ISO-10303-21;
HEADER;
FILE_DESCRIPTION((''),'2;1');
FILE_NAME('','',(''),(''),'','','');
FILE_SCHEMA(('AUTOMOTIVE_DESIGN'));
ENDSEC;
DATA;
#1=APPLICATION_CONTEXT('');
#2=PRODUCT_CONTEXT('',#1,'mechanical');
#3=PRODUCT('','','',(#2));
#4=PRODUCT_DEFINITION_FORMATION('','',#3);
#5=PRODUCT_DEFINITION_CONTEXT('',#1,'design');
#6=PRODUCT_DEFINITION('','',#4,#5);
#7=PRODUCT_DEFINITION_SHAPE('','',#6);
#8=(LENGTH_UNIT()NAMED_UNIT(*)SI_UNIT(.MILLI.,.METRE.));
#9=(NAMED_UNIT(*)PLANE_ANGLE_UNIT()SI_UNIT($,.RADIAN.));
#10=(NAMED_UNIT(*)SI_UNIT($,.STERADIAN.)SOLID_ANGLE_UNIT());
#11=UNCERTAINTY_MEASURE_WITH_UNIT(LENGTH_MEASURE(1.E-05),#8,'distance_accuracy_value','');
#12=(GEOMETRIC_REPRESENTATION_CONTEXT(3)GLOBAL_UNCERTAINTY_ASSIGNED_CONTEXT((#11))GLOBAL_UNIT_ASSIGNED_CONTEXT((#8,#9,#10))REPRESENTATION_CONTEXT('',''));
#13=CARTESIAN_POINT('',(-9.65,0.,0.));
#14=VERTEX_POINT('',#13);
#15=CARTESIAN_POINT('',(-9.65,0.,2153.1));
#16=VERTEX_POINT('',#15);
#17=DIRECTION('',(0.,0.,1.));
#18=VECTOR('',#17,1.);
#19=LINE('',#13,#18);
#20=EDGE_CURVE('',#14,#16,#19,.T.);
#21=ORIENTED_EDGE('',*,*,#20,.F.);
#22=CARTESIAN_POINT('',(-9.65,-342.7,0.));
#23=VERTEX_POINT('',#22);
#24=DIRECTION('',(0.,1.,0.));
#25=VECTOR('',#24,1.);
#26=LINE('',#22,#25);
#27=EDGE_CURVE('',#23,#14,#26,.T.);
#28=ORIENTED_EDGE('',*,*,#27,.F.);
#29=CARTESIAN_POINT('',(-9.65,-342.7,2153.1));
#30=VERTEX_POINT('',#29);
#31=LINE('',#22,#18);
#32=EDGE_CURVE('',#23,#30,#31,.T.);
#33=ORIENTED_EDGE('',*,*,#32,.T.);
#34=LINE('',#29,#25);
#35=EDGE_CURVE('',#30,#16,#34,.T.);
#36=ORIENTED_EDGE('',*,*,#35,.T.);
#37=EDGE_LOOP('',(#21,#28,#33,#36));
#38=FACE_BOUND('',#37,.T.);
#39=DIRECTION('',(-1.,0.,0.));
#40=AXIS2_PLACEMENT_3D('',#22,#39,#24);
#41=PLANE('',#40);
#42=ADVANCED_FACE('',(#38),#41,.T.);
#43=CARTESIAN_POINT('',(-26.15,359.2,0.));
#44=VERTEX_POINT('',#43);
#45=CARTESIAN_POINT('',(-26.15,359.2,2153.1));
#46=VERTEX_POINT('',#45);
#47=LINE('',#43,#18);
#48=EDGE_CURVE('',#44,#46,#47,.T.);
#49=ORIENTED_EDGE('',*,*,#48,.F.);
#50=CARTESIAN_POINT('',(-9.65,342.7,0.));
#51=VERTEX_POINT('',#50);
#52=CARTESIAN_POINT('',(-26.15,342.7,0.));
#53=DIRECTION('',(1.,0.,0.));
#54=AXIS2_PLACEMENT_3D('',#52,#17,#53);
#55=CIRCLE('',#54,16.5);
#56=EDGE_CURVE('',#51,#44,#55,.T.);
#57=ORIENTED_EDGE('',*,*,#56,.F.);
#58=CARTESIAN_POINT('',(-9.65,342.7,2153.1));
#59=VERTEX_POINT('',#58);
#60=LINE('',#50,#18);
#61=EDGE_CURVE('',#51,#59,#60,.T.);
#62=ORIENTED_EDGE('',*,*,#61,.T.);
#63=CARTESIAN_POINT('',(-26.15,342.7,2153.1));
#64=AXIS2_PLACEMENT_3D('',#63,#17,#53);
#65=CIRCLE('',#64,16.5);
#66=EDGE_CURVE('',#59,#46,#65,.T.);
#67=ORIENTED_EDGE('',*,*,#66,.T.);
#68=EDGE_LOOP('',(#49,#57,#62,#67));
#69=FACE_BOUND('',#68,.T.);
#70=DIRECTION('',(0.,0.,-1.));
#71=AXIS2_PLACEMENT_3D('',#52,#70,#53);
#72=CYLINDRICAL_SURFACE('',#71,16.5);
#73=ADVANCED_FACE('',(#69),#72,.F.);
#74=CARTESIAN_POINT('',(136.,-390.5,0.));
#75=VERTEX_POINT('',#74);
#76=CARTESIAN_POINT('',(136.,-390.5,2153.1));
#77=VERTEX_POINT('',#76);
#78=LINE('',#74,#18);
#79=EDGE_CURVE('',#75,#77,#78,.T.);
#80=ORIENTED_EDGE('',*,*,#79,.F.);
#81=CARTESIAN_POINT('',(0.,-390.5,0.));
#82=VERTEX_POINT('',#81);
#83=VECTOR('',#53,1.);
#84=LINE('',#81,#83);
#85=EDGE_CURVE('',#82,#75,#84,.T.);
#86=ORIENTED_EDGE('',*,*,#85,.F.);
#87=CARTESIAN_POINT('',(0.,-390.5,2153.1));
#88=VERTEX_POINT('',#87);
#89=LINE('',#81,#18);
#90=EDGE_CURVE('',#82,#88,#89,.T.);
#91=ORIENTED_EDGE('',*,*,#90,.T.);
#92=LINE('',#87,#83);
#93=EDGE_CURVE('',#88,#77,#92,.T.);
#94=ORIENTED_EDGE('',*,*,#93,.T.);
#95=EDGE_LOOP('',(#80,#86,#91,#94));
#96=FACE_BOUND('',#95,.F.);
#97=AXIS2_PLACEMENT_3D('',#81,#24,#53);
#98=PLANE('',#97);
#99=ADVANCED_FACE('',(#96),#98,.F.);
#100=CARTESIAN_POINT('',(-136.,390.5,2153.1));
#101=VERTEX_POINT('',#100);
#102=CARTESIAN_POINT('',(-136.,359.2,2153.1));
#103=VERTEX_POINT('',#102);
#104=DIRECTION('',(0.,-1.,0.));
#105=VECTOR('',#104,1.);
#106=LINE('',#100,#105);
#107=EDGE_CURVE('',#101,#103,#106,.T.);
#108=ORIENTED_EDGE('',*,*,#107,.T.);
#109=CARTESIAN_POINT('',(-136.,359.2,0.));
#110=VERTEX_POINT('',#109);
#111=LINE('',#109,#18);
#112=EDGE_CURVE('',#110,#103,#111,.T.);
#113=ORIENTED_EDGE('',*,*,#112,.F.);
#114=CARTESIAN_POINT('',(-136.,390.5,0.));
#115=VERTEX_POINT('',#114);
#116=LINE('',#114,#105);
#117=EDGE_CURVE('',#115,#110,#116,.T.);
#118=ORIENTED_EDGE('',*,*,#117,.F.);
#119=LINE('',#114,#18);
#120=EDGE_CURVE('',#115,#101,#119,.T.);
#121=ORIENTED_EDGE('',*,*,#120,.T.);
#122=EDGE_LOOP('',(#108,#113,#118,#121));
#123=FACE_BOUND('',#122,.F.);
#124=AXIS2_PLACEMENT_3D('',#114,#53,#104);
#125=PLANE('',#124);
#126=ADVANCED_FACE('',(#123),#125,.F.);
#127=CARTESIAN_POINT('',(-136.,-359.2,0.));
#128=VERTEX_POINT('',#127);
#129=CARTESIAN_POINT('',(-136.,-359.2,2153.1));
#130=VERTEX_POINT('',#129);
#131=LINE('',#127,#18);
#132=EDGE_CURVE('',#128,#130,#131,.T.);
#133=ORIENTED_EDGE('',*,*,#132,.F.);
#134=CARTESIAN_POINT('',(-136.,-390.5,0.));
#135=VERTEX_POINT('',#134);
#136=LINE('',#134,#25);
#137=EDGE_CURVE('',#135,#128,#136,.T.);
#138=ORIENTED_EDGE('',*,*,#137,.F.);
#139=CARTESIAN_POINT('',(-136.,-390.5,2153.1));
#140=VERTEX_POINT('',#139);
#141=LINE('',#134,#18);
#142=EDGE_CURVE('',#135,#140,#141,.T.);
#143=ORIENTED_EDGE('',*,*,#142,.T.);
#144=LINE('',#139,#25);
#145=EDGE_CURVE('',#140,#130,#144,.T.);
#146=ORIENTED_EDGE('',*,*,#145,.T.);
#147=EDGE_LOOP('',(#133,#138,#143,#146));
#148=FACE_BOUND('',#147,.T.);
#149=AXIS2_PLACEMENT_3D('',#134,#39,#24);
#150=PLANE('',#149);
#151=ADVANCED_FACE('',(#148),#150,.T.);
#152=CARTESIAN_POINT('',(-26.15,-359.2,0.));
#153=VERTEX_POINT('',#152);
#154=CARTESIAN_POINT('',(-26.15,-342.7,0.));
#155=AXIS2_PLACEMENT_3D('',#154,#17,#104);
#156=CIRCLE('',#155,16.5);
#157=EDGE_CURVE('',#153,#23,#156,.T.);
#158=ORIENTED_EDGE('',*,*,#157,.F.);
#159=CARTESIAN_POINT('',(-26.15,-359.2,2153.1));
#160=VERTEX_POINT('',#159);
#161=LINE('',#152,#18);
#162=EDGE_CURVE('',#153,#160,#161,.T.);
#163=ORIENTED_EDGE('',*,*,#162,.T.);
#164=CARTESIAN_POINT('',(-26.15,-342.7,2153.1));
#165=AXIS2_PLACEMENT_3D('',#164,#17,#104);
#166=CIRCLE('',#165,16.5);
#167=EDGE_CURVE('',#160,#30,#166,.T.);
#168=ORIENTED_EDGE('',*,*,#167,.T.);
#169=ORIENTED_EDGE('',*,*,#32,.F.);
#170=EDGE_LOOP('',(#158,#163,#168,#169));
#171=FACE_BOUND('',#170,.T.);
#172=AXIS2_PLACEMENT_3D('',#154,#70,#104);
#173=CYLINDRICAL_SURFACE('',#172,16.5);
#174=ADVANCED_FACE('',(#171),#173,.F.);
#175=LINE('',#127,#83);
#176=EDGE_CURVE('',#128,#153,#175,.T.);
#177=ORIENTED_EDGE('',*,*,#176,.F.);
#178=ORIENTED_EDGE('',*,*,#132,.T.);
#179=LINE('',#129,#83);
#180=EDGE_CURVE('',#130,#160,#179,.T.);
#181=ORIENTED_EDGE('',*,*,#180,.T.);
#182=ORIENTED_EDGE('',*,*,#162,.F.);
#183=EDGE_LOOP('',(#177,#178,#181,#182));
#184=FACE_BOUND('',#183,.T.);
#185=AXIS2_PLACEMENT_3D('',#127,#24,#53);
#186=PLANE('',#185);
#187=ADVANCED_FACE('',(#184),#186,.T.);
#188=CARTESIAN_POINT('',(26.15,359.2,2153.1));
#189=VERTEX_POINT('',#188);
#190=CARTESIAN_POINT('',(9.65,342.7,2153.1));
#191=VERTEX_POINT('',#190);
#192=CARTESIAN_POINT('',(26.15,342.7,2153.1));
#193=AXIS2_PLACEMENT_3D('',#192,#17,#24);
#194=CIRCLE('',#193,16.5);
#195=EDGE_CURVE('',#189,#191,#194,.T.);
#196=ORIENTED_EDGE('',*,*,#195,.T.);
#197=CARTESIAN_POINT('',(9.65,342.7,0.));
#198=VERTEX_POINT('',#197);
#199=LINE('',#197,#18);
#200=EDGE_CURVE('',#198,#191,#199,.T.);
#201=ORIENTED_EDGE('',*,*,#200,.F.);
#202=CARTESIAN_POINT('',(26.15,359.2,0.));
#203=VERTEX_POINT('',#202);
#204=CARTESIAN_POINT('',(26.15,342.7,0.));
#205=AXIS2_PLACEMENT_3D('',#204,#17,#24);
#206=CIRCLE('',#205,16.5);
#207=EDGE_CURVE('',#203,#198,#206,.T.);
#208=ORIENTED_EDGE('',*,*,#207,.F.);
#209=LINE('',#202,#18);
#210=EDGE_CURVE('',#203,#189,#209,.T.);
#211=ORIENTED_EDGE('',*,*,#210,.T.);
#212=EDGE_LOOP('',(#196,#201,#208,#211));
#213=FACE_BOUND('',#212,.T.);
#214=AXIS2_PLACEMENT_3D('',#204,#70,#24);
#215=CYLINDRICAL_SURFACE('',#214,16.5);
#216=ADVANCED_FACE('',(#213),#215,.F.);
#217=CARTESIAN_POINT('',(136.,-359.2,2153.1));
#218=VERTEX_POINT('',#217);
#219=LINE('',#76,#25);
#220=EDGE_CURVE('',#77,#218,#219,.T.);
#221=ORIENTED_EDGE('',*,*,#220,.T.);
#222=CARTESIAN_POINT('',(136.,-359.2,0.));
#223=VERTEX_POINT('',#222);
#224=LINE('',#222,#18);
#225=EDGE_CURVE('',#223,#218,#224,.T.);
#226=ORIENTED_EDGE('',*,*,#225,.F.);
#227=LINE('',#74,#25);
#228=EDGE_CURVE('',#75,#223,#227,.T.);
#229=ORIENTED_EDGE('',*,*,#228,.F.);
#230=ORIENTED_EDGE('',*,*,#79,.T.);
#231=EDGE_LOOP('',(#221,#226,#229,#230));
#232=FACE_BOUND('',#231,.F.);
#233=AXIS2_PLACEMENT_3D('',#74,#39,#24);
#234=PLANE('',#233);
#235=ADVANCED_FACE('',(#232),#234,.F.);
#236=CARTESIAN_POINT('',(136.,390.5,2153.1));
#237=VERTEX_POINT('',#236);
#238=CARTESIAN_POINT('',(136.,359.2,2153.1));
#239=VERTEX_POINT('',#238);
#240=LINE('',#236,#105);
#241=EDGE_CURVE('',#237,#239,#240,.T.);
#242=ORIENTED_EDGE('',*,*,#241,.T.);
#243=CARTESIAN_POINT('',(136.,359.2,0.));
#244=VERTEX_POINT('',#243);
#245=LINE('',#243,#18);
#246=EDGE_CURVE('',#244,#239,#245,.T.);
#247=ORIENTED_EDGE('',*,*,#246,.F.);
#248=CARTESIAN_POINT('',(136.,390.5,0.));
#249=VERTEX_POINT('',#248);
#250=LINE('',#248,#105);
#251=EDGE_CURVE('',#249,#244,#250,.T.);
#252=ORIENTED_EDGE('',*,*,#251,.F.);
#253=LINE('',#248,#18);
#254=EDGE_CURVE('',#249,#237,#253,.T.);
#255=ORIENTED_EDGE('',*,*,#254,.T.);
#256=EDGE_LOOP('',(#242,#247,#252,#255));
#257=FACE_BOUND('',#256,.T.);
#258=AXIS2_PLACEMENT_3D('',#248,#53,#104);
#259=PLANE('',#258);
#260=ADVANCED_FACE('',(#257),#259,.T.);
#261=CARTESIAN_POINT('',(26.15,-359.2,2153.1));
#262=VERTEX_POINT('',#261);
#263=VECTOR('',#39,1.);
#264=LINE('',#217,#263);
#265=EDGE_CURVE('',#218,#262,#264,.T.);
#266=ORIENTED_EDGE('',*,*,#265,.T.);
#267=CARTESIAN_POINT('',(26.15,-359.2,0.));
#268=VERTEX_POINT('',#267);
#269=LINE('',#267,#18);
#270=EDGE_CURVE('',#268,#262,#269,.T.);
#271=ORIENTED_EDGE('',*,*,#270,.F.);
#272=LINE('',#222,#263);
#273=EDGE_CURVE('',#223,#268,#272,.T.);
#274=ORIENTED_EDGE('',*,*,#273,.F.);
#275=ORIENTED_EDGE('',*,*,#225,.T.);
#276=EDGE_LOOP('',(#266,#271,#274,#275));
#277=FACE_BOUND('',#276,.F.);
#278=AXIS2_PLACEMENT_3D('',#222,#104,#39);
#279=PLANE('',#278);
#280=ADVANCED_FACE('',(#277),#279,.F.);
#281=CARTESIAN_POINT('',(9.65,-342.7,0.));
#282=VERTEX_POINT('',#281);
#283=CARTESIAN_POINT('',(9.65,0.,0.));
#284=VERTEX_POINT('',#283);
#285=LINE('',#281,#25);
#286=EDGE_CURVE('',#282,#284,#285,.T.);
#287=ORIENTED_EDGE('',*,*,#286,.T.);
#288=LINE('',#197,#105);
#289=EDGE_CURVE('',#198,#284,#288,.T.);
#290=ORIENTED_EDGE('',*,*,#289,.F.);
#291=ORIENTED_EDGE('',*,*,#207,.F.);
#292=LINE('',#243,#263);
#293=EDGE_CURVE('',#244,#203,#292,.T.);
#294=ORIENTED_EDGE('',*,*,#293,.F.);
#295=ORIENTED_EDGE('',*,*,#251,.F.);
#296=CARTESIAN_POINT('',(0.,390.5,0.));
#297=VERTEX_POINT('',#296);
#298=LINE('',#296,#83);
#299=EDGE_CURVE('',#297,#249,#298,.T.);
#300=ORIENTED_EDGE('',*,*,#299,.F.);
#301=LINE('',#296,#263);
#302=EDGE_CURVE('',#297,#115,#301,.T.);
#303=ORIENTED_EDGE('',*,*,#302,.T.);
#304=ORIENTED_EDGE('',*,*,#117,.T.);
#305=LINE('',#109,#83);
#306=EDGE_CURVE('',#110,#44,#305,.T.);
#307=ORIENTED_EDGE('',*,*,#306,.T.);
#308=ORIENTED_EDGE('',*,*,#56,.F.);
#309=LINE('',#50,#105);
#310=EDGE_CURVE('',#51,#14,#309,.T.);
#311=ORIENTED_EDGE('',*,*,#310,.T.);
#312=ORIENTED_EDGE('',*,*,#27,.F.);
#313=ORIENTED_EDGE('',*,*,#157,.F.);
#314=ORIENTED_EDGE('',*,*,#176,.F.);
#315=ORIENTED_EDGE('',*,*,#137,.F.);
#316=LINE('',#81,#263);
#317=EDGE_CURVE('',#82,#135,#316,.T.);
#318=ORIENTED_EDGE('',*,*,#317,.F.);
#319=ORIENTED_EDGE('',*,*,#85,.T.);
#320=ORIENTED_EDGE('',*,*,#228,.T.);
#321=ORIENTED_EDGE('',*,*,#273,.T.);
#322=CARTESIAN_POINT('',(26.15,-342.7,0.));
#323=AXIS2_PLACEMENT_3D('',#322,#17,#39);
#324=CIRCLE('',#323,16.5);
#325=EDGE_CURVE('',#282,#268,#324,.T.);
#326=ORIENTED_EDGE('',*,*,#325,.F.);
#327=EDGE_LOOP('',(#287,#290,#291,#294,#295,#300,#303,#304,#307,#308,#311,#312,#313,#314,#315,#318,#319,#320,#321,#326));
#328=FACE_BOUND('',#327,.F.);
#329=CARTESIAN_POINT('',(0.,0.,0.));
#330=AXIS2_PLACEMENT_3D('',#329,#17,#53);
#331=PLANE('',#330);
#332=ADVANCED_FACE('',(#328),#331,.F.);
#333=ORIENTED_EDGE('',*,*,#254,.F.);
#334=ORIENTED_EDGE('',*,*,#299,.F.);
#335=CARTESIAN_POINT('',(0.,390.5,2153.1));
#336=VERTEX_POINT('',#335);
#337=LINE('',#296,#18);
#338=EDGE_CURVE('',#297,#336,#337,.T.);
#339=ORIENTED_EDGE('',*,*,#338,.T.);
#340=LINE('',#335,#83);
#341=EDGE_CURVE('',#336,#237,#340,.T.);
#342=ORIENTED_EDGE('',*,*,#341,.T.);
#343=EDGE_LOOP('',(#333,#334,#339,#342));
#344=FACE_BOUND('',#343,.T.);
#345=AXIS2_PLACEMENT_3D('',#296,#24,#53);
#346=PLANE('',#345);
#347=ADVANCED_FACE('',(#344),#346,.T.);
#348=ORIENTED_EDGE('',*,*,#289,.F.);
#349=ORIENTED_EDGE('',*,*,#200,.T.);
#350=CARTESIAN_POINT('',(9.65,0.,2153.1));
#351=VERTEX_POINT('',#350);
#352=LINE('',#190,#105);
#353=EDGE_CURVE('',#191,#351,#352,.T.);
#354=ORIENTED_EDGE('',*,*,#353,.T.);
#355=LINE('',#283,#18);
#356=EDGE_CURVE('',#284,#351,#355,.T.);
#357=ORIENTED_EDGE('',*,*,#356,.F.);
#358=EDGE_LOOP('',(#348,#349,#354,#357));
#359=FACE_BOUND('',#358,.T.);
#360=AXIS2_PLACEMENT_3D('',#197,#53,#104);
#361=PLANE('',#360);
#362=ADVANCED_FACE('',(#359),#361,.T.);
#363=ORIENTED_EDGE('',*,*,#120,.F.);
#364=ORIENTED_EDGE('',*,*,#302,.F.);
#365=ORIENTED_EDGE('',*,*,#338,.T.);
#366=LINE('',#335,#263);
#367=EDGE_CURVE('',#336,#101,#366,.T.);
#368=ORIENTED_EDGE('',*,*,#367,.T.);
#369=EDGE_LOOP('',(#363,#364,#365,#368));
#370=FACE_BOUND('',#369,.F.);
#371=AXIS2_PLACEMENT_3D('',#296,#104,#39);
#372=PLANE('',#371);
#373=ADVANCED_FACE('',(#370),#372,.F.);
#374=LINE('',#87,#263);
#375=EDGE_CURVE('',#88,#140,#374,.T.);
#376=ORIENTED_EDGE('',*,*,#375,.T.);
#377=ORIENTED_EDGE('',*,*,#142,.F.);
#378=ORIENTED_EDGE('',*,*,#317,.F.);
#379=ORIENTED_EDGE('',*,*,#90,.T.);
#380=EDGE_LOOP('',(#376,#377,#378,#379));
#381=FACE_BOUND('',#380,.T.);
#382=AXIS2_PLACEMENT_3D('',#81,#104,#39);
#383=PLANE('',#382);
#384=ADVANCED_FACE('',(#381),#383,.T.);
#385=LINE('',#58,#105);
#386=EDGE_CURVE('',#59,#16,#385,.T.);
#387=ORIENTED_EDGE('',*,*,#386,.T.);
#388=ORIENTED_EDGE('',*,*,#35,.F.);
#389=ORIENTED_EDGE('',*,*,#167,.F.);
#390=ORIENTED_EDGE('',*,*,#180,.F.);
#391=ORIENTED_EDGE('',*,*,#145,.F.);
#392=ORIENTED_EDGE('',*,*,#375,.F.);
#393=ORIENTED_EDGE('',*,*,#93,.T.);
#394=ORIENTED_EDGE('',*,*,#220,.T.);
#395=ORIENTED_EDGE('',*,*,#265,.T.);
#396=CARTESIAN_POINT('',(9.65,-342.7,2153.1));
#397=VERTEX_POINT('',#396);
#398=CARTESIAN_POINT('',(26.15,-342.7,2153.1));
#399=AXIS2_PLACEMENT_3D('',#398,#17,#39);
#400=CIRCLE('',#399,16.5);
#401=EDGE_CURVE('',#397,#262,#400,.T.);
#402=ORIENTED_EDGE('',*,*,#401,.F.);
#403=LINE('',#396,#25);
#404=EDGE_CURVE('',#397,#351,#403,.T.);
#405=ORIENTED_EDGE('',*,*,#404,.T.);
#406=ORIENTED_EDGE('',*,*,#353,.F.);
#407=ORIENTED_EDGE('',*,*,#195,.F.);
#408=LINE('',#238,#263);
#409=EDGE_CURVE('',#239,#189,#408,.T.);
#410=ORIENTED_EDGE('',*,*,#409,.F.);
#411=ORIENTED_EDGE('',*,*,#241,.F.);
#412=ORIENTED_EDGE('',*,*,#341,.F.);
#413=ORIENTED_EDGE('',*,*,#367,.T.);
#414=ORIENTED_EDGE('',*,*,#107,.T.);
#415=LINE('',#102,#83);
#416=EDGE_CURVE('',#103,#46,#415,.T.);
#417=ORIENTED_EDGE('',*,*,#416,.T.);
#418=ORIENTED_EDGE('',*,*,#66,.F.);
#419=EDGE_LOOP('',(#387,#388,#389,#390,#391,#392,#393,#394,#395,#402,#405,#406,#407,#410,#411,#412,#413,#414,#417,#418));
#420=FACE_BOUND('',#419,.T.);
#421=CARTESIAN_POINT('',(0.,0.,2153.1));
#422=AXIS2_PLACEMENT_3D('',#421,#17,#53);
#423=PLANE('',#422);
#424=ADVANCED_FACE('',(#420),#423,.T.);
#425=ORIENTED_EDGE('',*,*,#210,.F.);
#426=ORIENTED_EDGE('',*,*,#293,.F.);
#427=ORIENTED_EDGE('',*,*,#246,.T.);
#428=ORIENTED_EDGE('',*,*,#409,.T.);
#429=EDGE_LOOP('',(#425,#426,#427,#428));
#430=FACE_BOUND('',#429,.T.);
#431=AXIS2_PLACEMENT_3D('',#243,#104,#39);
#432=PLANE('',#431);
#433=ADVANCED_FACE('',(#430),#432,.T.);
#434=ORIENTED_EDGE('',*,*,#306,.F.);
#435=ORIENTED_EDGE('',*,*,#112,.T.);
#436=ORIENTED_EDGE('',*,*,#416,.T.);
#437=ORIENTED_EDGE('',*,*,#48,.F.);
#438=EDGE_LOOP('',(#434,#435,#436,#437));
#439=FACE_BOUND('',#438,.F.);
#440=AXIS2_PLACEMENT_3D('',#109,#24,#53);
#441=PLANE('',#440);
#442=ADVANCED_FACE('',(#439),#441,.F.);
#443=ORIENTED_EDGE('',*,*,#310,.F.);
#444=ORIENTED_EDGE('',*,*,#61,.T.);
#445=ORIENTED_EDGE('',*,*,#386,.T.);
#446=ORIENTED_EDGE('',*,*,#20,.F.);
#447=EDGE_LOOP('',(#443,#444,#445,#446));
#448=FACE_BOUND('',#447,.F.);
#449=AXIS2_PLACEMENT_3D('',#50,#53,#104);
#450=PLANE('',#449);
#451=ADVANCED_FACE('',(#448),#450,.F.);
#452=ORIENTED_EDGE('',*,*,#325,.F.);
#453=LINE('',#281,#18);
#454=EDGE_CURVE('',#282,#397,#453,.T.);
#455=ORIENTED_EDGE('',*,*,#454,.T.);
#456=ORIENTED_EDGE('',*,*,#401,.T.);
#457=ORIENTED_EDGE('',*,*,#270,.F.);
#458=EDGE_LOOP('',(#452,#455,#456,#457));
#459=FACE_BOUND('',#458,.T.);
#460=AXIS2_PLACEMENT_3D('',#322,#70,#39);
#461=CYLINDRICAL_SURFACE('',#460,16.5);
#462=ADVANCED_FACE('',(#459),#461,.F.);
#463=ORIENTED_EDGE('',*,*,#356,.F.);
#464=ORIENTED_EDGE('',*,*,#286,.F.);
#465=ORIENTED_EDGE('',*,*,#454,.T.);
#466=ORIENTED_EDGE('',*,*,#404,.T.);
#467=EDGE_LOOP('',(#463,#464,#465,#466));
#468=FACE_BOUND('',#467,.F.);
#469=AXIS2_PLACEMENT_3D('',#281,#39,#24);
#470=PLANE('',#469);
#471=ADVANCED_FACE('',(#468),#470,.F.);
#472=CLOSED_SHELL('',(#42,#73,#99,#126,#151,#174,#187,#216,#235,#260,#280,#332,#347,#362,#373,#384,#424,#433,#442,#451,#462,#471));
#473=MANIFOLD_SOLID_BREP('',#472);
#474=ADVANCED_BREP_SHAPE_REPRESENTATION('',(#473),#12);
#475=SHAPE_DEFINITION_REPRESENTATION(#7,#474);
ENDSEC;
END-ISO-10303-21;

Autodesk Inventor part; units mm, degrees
ref_plane "YZ Plane" through (0, 0, 0) normal (1, 0, 0) x (0, 1, 0)
ref_plane "Start plane" through (0, 0, 0) normal (0, 0, 1) x (1, 0, 0)
ref_plane "End plane" through (0, 0, 2153.1) normal (0, 0, 1) x (1, 0, 0)
sketch "Sketch" plane through (0, 0, 0) normal (0, 0, 1) x (1, 0, 0)
  line L0 (-136, -390.5) -> (-136, -359.2)
  line L1 (-136, -359.2) -> (-26.15, -359.2)
  line L2 (-9.65, -342.7) -> (-9.65, 0)
  line L3 (-9.65, 0) -> (0, 0) construction
  line L4 (0, 0) -> (0, -390.5) construction
  line L5 (0, -390.5) -> (-136, -390.5)
  line L6 (-60, 0) -> (80, 0) construction
  line L7 (0, -60) -> (0, 80) construction
  line L8 (136, -390.5) -> (136, -359.2)
  line L9 (136, -359.2) -> (26.15, -359.2)
  line L10 (9.65, -342.7) -> (9.65, 0)
  line L11 (9.65, 0) -> (0, 0) construction
  line L12 (0, -390.5) -> (136, -390.5)
  line L13 (-136, 390.5) -> (-136, 359.2)
  line L14 (-136, 359.2) -> (-26.15, 359.2)
  line L15 (-9.65, 342.7) -> (-9.65, 0)
  line L16 (0, 390.5) -> (-136, 390.5)
  line L17 (136, 390.5) -> (136, 359.2)
  line L18 (136, 359.2) -> (26.15, 359.2)
  line L19 (0, 390.5) -> (136, 390.5)
  line L20 (9.65, 342.7) -> (9.65, 0)
  arc A0 (-9.65, 342.7) -> (-26.15, 359.2) centre (-26.15, 342.7) ccw
  arc A1 (26.15, 359.2) -> (9.65, 342.7) centre (26.15, 342.7) ccw
  arc A2 (9.65, -342.7) -> (26.15, -359.2) centre (26.15, -342.7) ccw
  arc A3 (-26.15, -359.2) -> (-9.65, -342.7) centre (-26.15, -342.7) ccw
  line L21 (0, 108) -> (0, -88) construction
  line L22 (-88, 0) -> (108, 0) construction
  point P0 (-9.65, -359.2)
  point P1 (9.65, -359.2)
  point P2 (-9.65, 359.2)
  point P3 (9.65, 359.2)
  dimension "d1" = 390.5
  dimension "d2" = 31.3
  dimension "d3" = 136
  dimension "d4" = 9.65
  dimension "d10" = 16.5
extrude "Body" add sketch "Sketch" along normal up to surface (2153.1 mm away) from surface at 0
sketch "Sketch4" plane through (0, 0, 0) normal (0, 0, 1) x (1, 0, 0)
  line L0 (0, 0) -> (10, 0)
ref_plane "Work Plane3" through (0, 0, 0) normal (0, -1, 0) x (1, 0, 0)
sketch "Sketch5" plane through (0, 0, 0) normal (0, -1, 0) x (1, 0, 0)
  line L0 (-2, 0) -> (12, 0) projected
  line L1 (-2, 2153.1) -> (12, 2153.1) projected
  dimension "d14" = 2153.1
equation "\"d1\" = 0.5 * G_H"
equation "\"d2\" = G_T1"
equation "\"d3\" = 0.5 * G_W"
equation "\"d4\" = 0.5 * G_T"
equation "\"d10\" = G_IR"
equation "\"d5\" = G_L"
equation "\"G_W\" = 272"
equation "\"G_H\" = 781"
equation "\"G_T\" = 19.3"
equation "\"G_T1\" = 31.3"
equation "\"G_IR\" = 16.5"
equation "\"G_L\" = d14"
equation "\"G_OFFSET_START\" = 0"
equation "\"G_OFFSET_END\" = 0"
equation "\"d12\" = G_OFFSET_END + B_L"
equation "\"B_L\" = 2153.1"
properties part number "AS 3679-1990 - 760 UB - 244 - 2153.1" material "Steel, Mild"
